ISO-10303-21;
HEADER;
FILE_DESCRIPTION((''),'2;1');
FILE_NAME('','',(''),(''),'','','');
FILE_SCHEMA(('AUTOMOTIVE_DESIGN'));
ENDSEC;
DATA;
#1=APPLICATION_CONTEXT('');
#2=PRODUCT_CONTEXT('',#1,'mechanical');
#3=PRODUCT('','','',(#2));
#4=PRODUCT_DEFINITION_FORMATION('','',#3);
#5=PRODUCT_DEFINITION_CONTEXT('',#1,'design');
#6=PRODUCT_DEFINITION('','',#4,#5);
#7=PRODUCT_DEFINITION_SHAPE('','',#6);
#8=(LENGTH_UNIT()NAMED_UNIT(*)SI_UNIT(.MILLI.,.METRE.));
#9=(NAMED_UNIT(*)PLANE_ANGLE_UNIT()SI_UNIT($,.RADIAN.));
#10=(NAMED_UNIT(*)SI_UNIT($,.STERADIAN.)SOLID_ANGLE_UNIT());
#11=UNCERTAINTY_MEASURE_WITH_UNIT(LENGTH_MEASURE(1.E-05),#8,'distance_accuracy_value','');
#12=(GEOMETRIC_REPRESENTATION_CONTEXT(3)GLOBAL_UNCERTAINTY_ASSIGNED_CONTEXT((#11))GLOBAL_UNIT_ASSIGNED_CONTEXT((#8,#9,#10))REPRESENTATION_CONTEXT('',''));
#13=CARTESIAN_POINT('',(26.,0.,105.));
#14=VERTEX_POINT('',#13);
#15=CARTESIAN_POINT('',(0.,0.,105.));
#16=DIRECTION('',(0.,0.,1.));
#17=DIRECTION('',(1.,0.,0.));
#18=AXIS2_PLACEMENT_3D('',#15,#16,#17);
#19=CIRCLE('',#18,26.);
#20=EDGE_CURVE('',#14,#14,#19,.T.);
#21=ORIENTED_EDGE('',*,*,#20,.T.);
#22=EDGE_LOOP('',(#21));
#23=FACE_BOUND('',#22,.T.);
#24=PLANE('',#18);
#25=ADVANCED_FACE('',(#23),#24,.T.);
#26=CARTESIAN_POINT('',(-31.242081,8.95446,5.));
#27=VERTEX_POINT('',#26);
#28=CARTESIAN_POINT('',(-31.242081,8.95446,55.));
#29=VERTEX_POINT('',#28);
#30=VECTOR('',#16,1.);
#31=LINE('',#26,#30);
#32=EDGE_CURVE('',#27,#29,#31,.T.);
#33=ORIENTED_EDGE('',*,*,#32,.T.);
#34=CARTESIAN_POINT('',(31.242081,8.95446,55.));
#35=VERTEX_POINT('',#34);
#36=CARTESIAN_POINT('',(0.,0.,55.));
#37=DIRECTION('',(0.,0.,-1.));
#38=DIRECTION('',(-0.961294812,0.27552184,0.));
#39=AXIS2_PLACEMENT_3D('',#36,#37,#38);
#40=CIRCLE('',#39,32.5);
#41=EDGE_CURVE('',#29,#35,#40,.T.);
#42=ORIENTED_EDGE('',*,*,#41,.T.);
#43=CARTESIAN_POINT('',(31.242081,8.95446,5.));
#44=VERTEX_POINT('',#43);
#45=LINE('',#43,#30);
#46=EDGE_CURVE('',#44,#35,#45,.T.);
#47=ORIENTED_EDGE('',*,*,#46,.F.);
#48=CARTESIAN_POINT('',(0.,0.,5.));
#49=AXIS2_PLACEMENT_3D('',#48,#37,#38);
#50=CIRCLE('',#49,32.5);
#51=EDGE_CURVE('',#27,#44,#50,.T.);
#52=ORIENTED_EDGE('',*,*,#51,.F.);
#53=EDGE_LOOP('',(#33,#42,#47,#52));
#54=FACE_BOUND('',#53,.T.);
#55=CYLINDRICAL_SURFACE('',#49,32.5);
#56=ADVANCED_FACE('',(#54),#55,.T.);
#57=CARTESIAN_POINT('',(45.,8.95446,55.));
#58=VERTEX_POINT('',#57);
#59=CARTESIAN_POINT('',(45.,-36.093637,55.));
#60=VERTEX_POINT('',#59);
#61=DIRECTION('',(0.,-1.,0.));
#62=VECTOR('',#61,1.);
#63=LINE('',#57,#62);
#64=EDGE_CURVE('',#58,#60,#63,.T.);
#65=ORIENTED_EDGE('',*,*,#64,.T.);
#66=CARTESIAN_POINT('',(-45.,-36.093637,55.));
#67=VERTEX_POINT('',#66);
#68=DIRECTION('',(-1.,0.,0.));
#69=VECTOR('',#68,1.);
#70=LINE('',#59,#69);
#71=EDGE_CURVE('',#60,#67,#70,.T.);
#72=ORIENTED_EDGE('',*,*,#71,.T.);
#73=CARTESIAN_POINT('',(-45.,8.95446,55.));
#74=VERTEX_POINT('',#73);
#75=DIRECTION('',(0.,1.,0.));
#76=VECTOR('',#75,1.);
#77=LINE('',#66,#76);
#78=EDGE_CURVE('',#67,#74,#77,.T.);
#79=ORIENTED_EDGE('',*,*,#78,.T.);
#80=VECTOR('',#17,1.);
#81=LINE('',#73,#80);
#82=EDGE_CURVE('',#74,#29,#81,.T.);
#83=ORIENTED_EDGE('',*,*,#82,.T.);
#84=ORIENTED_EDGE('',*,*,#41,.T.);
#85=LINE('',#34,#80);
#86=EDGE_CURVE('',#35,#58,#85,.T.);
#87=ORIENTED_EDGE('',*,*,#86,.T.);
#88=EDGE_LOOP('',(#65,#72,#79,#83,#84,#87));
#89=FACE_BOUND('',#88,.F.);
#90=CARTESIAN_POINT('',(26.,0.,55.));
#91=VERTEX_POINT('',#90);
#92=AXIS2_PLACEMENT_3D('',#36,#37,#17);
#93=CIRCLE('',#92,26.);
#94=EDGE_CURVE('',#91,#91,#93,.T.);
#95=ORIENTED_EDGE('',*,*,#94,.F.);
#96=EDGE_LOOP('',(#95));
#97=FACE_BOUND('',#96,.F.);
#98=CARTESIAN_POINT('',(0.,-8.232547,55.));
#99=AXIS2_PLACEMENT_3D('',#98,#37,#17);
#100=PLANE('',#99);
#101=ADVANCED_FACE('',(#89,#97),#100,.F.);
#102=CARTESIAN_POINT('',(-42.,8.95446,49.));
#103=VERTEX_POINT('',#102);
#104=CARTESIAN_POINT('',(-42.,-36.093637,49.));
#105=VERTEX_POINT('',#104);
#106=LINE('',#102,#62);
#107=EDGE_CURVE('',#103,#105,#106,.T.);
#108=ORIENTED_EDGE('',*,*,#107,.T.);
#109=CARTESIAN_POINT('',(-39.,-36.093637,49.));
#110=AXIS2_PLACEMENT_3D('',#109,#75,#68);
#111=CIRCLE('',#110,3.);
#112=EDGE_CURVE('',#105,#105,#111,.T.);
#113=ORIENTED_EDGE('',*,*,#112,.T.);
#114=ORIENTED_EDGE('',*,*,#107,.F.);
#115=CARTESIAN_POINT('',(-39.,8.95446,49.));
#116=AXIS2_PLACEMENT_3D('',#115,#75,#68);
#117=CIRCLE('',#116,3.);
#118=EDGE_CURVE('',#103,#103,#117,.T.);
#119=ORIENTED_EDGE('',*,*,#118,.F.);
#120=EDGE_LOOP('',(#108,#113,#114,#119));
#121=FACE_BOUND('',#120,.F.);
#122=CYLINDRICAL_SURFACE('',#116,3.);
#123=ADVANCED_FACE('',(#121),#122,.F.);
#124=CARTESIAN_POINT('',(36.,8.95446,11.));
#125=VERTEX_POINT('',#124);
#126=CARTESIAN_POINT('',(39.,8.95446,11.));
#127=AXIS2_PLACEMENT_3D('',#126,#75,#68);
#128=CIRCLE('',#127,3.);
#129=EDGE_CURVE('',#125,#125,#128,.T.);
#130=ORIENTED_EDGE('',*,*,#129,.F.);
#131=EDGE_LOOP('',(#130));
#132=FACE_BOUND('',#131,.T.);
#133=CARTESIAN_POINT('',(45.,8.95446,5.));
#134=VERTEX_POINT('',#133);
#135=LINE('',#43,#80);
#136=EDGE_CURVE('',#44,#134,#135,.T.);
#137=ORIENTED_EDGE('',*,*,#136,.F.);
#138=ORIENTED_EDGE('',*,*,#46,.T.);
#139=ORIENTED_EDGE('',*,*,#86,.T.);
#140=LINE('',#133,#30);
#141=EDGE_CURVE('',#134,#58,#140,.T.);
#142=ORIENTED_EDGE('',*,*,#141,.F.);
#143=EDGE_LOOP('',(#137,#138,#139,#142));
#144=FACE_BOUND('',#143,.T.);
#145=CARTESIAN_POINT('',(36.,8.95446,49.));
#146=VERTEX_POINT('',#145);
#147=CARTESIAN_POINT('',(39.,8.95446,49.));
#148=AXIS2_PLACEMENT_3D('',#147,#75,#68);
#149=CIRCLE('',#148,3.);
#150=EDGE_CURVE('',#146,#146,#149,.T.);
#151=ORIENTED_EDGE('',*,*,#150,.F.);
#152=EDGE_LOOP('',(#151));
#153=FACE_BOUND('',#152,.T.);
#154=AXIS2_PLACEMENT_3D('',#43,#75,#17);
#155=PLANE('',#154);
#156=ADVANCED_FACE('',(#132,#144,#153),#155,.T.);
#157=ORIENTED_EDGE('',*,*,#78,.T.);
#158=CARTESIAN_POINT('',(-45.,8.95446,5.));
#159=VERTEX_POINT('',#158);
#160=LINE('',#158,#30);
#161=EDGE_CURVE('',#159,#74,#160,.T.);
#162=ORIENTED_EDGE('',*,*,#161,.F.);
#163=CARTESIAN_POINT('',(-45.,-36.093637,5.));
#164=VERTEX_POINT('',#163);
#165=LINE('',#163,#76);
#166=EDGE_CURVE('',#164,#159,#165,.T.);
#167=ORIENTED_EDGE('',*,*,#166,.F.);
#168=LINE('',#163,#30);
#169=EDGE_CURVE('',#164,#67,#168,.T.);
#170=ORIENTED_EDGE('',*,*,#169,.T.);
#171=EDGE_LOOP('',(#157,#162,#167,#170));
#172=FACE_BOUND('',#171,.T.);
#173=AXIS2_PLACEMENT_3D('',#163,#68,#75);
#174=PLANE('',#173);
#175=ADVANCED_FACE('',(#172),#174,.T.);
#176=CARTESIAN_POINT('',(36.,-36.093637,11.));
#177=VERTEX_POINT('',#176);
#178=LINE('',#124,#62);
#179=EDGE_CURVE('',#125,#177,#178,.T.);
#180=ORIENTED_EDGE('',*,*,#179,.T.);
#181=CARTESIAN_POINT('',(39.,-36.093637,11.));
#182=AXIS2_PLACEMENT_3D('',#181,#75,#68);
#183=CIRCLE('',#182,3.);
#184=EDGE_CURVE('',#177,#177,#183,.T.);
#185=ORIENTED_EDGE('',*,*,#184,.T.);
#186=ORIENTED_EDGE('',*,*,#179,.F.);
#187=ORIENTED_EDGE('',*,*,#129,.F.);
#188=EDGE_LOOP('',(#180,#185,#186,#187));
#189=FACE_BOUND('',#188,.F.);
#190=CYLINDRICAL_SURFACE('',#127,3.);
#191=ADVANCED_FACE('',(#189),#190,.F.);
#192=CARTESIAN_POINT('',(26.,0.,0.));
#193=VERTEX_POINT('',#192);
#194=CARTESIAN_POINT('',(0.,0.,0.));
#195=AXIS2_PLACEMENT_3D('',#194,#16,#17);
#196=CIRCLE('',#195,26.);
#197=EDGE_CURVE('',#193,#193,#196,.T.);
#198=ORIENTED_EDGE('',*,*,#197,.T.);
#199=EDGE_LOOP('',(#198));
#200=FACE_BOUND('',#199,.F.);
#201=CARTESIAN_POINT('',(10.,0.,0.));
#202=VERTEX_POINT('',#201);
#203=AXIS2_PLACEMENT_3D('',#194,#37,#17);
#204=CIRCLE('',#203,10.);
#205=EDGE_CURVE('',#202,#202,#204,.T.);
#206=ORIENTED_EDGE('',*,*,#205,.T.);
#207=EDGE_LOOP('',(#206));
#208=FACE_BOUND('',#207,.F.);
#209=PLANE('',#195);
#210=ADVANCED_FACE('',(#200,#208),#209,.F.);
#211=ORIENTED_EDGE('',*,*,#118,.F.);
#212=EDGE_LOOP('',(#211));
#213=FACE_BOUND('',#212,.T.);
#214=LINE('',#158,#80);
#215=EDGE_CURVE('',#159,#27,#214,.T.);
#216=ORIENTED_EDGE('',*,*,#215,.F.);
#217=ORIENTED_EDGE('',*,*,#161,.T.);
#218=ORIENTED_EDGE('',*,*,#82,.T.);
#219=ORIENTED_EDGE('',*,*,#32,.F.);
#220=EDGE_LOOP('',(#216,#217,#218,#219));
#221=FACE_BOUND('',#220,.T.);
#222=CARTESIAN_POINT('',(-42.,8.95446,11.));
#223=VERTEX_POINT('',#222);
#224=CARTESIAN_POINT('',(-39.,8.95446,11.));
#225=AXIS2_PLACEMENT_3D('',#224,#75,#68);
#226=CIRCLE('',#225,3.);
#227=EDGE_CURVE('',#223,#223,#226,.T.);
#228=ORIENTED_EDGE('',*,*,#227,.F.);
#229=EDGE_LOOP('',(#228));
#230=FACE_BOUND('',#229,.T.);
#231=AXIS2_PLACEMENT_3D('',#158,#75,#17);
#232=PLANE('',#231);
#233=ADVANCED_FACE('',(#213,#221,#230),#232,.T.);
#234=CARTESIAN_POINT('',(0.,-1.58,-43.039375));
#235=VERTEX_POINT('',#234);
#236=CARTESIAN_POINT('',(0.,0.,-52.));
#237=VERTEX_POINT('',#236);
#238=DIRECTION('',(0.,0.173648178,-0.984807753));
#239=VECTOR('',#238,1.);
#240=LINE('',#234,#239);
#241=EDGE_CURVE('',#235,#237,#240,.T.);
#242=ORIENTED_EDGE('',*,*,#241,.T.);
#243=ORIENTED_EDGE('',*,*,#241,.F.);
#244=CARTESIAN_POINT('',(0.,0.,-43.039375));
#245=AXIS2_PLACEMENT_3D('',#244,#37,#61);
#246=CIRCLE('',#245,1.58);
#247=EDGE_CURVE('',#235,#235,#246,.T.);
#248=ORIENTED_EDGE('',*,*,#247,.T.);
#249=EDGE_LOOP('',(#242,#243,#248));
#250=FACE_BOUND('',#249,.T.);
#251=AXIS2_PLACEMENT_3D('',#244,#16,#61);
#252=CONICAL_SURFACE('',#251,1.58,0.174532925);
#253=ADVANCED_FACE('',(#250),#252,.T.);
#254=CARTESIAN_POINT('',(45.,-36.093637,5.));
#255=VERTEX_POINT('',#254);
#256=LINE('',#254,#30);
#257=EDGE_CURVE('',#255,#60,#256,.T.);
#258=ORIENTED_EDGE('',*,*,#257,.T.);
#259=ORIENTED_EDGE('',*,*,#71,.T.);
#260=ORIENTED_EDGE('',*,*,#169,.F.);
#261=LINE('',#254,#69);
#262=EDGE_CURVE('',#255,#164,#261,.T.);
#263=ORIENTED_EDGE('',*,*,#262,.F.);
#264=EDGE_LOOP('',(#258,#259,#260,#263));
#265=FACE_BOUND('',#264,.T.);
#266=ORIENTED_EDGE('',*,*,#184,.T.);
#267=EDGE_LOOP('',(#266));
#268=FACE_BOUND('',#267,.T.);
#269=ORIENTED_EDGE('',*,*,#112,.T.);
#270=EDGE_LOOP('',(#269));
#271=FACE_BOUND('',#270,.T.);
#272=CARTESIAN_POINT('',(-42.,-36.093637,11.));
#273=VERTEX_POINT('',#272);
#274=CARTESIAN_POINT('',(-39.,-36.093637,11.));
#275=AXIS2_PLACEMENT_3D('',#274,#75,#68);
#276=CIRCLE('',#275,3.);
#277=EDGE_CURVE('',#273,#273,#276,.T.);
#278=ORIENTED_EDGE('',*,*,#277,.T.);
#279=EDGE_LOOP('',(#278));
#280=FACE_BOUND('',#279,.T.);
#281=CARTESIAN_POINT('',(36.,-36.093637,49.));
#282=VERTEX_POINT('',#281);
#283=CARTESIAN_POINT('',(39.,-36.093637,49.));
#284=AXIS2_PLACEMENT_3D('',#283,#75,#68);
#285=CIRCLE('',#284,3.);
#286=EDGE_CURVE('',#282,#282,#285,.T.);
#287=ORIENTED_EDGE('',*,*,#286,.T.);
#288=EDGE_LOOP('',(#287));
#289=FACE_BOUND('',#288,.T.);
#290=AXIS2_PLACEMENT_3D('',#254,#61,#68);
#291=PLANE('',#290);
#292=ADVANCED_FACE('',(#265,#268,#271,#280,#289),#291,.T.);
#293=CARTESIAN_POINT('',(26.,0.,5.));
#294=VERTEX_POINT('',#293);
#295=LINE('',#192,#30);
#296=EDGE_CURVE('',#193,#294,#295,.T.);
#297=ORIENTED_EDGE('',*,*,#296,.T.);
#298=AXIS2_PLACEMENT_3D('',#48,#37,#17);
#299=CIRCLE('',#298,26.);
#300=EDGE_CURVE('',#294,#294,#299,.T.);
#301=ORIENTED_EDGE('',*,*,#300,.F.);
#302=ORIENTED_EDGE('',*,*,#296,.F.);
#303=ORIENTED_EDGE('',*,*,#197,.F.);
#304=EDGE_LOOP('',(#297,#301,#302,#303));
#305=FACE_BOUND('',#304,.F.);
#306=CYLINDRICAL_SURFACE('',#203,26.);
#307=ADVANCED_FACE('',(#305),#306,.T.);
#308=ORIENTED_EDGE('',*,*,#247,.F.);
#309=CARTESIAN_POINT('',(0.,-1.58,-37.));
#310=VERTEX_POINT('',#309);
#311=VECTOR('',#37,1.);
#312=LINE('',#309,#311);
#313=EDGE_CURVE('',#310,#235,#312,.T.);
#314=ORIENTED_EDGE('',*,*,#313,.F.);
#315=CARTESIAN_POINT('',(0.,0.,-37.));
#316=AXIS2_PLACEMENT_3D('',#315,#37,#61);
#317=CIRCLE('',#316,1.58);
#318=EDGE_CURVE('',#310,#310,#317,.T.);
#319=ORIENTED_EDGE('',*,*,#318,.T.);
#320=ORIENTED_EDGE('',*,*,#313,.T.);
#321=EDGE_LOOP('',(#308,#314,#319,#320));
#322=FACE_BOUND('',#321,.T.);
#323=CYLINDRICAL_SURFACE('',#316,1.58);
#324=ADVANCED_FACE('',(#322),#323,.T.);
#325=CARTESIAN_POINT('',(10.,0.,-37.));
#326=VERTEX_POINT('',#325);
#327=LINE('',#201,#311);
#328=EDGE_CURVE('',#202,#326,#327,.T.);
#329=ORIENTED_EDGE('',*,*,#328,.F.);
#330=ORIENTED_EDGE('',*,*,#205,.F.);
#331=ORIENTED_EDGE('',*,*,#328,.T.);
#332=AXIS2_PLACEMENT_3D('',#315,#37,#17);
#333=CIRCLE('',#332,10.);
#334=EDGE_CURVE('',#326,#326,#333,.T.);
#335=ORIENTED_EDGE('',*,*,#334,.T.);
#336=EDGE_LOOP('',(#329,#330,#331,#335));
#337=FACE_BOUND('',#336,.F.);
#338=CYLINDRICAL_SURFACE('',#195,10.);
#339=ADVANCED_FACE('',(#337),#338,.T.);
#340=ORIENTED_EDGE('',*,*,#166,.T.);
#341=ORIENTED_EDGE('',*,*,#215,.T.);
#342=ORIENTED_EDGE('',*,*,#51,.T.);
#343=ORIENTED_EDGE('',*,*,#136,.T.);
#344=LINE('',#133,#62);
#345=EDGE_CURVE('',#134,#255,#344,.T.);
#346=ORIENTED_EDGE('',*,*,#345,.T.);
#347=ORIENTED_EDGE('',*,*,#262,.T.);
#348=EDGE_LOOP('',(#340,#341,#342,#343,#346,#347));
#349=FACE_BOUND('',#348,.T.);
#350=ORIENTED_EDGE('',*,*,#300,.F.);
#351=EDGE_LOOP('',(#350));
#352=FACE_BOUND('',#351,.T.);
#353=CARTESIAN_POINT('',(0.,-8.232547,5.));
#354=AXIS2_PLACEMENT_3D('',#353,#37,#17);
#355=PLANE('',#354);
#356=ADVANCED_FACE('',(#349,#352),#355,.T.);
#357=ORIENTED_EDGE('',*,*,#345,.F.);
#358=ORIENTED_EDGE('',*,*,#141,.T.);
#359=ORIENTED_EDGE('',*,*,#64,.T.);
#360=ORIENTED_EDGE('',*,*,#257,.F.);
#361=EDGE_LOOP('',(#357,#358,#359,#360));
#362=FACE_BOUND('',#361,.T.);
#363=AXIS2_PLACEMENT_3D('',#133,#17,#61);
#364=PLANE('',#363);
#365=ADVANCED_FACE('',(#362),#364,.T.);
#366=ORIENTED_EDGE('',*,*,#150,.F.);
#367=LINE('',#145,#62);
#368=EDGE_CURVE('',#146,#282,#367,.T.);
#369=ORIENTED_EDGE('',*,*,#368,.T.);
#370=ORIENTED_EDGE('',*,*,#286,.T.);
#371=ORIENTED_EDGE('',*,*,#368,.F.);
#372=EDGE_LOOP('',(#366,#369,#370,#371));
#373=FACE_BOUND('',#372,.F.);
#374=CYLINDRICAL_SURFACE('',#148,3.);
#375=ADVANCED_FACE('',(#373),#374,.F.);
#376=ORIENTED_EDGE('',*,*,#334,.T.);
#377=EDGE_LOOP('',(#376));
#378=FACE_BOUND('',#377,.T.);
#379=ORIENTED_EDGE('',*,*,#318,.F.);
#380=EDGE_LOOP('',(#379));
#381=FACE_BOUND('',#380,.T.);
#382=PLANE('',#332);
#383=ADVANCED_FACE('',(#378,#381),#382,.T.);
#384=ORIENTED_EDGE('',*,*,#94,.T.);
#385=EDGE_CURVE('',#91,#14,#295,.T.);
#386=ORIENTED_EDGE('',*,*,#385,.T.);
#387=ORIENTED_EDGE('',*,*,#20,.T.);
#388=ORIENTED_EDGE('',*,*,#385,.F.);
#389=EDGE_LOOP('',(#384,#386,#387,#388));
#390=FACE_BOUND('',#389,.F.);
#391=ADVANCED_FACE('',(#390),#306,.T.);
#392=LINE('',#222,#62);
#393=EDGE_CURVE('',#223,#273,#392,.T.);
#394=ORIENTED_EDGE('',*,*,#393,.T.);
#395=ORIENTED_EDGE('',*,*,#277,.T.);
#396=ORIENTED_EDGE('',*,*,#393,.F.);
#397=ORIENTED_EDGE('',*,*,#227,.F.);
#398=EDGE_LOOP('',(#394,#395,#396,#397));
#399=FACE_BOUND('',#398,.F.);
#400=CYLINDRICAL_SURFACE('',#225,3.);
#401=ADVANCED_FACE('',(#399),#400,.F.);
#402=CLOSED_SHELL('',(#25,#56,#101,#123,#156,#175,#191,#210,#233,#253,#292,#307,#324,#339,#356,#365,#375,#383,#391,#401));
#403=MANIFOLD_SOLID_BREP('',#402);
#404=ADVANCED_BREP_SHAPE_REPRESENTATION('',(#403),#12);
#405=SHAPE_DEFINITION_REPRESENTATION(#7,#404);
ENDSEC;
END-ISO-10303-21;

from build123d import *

# Parameters (mm, degrees)
F0_R     = 26
F1_DEPTH = 105
F2_R     = 10
F3_DEPTH = 37
F7_START = -5
F7_DEPTH = 50
F8_R     = 3
F9_DEPTH = 45.0490971485


with BuildPart() as f1:
    # F0 (on Top) → F1 (new body)
    with BuildSketch(Plane.XY):
        Circle(F0_R)
    extrude(amount=F1_DEPTH)

    # F2 (on face) → F3 (join)
    with BuildSketch(Plane(origin=(0, 0, 0), x_dir=(1, 0, 0), z_dir=(0, 0, -1))):
        Circle(F2_R)
    extrude(amount=F3_DEPTH)

    # F4 (on Right) → F5 (revolve)
    with BuildSketch(Plane.YZ):
        Polygon((0, -52), (0, -37), (-1.58, -37), (-1.58, -43.039374725), align=None)
    revolve(axis=Axis((0, 0, -44.5), (0, 0, -1)))

    # F6 (on face) → F7 (join)
    with BuildSketch(Plane(origin=(0, 0, 0), x_dir=(1, 0, 0), z_dir=(0, 0, -1)).offset(F7_START)):
        with BuildLine():
            Line((-45, -8.9544598013), (-31.2420813914, -8.9544598013))
            ThreePointArc((-31.2420813914, -8.9544598013), (0, -32.5), (31.2420813914, -8.9544598013))
            Line((31.2420813914, -8.9544598013), (45, -8.9544598013))
            Line((45, -8.9544598013), (45, 36.0936373472))
            Line((45, 36.0936373472), (-45, 36.0936373472))
            Line((-45, 36.0936373472), (-45, -8.9544598013))
        make_face()
    extrude(amount=-F7_DEPTH)

    # F8 (on face) → F9 (cut, through all)
    with BuildSketch(Plane(origin=(0, 8.9544598013, 0), x_dir=(-1, 0, 0), z_dir=(0, 1, 0))):
        with Locations((-39, 49)):
            Circle(F8_R)
        with Locations((-39, 11)):
            Circle(F8_R)
        with Locations((39, 49)):
            Circle(F8_R)
        with Locations((39, 11)):
            Circle(F8_R)
    extrude(amount=-F9_DEPTH, mode=Mode.SUBTRACT)


solid = f1.part
